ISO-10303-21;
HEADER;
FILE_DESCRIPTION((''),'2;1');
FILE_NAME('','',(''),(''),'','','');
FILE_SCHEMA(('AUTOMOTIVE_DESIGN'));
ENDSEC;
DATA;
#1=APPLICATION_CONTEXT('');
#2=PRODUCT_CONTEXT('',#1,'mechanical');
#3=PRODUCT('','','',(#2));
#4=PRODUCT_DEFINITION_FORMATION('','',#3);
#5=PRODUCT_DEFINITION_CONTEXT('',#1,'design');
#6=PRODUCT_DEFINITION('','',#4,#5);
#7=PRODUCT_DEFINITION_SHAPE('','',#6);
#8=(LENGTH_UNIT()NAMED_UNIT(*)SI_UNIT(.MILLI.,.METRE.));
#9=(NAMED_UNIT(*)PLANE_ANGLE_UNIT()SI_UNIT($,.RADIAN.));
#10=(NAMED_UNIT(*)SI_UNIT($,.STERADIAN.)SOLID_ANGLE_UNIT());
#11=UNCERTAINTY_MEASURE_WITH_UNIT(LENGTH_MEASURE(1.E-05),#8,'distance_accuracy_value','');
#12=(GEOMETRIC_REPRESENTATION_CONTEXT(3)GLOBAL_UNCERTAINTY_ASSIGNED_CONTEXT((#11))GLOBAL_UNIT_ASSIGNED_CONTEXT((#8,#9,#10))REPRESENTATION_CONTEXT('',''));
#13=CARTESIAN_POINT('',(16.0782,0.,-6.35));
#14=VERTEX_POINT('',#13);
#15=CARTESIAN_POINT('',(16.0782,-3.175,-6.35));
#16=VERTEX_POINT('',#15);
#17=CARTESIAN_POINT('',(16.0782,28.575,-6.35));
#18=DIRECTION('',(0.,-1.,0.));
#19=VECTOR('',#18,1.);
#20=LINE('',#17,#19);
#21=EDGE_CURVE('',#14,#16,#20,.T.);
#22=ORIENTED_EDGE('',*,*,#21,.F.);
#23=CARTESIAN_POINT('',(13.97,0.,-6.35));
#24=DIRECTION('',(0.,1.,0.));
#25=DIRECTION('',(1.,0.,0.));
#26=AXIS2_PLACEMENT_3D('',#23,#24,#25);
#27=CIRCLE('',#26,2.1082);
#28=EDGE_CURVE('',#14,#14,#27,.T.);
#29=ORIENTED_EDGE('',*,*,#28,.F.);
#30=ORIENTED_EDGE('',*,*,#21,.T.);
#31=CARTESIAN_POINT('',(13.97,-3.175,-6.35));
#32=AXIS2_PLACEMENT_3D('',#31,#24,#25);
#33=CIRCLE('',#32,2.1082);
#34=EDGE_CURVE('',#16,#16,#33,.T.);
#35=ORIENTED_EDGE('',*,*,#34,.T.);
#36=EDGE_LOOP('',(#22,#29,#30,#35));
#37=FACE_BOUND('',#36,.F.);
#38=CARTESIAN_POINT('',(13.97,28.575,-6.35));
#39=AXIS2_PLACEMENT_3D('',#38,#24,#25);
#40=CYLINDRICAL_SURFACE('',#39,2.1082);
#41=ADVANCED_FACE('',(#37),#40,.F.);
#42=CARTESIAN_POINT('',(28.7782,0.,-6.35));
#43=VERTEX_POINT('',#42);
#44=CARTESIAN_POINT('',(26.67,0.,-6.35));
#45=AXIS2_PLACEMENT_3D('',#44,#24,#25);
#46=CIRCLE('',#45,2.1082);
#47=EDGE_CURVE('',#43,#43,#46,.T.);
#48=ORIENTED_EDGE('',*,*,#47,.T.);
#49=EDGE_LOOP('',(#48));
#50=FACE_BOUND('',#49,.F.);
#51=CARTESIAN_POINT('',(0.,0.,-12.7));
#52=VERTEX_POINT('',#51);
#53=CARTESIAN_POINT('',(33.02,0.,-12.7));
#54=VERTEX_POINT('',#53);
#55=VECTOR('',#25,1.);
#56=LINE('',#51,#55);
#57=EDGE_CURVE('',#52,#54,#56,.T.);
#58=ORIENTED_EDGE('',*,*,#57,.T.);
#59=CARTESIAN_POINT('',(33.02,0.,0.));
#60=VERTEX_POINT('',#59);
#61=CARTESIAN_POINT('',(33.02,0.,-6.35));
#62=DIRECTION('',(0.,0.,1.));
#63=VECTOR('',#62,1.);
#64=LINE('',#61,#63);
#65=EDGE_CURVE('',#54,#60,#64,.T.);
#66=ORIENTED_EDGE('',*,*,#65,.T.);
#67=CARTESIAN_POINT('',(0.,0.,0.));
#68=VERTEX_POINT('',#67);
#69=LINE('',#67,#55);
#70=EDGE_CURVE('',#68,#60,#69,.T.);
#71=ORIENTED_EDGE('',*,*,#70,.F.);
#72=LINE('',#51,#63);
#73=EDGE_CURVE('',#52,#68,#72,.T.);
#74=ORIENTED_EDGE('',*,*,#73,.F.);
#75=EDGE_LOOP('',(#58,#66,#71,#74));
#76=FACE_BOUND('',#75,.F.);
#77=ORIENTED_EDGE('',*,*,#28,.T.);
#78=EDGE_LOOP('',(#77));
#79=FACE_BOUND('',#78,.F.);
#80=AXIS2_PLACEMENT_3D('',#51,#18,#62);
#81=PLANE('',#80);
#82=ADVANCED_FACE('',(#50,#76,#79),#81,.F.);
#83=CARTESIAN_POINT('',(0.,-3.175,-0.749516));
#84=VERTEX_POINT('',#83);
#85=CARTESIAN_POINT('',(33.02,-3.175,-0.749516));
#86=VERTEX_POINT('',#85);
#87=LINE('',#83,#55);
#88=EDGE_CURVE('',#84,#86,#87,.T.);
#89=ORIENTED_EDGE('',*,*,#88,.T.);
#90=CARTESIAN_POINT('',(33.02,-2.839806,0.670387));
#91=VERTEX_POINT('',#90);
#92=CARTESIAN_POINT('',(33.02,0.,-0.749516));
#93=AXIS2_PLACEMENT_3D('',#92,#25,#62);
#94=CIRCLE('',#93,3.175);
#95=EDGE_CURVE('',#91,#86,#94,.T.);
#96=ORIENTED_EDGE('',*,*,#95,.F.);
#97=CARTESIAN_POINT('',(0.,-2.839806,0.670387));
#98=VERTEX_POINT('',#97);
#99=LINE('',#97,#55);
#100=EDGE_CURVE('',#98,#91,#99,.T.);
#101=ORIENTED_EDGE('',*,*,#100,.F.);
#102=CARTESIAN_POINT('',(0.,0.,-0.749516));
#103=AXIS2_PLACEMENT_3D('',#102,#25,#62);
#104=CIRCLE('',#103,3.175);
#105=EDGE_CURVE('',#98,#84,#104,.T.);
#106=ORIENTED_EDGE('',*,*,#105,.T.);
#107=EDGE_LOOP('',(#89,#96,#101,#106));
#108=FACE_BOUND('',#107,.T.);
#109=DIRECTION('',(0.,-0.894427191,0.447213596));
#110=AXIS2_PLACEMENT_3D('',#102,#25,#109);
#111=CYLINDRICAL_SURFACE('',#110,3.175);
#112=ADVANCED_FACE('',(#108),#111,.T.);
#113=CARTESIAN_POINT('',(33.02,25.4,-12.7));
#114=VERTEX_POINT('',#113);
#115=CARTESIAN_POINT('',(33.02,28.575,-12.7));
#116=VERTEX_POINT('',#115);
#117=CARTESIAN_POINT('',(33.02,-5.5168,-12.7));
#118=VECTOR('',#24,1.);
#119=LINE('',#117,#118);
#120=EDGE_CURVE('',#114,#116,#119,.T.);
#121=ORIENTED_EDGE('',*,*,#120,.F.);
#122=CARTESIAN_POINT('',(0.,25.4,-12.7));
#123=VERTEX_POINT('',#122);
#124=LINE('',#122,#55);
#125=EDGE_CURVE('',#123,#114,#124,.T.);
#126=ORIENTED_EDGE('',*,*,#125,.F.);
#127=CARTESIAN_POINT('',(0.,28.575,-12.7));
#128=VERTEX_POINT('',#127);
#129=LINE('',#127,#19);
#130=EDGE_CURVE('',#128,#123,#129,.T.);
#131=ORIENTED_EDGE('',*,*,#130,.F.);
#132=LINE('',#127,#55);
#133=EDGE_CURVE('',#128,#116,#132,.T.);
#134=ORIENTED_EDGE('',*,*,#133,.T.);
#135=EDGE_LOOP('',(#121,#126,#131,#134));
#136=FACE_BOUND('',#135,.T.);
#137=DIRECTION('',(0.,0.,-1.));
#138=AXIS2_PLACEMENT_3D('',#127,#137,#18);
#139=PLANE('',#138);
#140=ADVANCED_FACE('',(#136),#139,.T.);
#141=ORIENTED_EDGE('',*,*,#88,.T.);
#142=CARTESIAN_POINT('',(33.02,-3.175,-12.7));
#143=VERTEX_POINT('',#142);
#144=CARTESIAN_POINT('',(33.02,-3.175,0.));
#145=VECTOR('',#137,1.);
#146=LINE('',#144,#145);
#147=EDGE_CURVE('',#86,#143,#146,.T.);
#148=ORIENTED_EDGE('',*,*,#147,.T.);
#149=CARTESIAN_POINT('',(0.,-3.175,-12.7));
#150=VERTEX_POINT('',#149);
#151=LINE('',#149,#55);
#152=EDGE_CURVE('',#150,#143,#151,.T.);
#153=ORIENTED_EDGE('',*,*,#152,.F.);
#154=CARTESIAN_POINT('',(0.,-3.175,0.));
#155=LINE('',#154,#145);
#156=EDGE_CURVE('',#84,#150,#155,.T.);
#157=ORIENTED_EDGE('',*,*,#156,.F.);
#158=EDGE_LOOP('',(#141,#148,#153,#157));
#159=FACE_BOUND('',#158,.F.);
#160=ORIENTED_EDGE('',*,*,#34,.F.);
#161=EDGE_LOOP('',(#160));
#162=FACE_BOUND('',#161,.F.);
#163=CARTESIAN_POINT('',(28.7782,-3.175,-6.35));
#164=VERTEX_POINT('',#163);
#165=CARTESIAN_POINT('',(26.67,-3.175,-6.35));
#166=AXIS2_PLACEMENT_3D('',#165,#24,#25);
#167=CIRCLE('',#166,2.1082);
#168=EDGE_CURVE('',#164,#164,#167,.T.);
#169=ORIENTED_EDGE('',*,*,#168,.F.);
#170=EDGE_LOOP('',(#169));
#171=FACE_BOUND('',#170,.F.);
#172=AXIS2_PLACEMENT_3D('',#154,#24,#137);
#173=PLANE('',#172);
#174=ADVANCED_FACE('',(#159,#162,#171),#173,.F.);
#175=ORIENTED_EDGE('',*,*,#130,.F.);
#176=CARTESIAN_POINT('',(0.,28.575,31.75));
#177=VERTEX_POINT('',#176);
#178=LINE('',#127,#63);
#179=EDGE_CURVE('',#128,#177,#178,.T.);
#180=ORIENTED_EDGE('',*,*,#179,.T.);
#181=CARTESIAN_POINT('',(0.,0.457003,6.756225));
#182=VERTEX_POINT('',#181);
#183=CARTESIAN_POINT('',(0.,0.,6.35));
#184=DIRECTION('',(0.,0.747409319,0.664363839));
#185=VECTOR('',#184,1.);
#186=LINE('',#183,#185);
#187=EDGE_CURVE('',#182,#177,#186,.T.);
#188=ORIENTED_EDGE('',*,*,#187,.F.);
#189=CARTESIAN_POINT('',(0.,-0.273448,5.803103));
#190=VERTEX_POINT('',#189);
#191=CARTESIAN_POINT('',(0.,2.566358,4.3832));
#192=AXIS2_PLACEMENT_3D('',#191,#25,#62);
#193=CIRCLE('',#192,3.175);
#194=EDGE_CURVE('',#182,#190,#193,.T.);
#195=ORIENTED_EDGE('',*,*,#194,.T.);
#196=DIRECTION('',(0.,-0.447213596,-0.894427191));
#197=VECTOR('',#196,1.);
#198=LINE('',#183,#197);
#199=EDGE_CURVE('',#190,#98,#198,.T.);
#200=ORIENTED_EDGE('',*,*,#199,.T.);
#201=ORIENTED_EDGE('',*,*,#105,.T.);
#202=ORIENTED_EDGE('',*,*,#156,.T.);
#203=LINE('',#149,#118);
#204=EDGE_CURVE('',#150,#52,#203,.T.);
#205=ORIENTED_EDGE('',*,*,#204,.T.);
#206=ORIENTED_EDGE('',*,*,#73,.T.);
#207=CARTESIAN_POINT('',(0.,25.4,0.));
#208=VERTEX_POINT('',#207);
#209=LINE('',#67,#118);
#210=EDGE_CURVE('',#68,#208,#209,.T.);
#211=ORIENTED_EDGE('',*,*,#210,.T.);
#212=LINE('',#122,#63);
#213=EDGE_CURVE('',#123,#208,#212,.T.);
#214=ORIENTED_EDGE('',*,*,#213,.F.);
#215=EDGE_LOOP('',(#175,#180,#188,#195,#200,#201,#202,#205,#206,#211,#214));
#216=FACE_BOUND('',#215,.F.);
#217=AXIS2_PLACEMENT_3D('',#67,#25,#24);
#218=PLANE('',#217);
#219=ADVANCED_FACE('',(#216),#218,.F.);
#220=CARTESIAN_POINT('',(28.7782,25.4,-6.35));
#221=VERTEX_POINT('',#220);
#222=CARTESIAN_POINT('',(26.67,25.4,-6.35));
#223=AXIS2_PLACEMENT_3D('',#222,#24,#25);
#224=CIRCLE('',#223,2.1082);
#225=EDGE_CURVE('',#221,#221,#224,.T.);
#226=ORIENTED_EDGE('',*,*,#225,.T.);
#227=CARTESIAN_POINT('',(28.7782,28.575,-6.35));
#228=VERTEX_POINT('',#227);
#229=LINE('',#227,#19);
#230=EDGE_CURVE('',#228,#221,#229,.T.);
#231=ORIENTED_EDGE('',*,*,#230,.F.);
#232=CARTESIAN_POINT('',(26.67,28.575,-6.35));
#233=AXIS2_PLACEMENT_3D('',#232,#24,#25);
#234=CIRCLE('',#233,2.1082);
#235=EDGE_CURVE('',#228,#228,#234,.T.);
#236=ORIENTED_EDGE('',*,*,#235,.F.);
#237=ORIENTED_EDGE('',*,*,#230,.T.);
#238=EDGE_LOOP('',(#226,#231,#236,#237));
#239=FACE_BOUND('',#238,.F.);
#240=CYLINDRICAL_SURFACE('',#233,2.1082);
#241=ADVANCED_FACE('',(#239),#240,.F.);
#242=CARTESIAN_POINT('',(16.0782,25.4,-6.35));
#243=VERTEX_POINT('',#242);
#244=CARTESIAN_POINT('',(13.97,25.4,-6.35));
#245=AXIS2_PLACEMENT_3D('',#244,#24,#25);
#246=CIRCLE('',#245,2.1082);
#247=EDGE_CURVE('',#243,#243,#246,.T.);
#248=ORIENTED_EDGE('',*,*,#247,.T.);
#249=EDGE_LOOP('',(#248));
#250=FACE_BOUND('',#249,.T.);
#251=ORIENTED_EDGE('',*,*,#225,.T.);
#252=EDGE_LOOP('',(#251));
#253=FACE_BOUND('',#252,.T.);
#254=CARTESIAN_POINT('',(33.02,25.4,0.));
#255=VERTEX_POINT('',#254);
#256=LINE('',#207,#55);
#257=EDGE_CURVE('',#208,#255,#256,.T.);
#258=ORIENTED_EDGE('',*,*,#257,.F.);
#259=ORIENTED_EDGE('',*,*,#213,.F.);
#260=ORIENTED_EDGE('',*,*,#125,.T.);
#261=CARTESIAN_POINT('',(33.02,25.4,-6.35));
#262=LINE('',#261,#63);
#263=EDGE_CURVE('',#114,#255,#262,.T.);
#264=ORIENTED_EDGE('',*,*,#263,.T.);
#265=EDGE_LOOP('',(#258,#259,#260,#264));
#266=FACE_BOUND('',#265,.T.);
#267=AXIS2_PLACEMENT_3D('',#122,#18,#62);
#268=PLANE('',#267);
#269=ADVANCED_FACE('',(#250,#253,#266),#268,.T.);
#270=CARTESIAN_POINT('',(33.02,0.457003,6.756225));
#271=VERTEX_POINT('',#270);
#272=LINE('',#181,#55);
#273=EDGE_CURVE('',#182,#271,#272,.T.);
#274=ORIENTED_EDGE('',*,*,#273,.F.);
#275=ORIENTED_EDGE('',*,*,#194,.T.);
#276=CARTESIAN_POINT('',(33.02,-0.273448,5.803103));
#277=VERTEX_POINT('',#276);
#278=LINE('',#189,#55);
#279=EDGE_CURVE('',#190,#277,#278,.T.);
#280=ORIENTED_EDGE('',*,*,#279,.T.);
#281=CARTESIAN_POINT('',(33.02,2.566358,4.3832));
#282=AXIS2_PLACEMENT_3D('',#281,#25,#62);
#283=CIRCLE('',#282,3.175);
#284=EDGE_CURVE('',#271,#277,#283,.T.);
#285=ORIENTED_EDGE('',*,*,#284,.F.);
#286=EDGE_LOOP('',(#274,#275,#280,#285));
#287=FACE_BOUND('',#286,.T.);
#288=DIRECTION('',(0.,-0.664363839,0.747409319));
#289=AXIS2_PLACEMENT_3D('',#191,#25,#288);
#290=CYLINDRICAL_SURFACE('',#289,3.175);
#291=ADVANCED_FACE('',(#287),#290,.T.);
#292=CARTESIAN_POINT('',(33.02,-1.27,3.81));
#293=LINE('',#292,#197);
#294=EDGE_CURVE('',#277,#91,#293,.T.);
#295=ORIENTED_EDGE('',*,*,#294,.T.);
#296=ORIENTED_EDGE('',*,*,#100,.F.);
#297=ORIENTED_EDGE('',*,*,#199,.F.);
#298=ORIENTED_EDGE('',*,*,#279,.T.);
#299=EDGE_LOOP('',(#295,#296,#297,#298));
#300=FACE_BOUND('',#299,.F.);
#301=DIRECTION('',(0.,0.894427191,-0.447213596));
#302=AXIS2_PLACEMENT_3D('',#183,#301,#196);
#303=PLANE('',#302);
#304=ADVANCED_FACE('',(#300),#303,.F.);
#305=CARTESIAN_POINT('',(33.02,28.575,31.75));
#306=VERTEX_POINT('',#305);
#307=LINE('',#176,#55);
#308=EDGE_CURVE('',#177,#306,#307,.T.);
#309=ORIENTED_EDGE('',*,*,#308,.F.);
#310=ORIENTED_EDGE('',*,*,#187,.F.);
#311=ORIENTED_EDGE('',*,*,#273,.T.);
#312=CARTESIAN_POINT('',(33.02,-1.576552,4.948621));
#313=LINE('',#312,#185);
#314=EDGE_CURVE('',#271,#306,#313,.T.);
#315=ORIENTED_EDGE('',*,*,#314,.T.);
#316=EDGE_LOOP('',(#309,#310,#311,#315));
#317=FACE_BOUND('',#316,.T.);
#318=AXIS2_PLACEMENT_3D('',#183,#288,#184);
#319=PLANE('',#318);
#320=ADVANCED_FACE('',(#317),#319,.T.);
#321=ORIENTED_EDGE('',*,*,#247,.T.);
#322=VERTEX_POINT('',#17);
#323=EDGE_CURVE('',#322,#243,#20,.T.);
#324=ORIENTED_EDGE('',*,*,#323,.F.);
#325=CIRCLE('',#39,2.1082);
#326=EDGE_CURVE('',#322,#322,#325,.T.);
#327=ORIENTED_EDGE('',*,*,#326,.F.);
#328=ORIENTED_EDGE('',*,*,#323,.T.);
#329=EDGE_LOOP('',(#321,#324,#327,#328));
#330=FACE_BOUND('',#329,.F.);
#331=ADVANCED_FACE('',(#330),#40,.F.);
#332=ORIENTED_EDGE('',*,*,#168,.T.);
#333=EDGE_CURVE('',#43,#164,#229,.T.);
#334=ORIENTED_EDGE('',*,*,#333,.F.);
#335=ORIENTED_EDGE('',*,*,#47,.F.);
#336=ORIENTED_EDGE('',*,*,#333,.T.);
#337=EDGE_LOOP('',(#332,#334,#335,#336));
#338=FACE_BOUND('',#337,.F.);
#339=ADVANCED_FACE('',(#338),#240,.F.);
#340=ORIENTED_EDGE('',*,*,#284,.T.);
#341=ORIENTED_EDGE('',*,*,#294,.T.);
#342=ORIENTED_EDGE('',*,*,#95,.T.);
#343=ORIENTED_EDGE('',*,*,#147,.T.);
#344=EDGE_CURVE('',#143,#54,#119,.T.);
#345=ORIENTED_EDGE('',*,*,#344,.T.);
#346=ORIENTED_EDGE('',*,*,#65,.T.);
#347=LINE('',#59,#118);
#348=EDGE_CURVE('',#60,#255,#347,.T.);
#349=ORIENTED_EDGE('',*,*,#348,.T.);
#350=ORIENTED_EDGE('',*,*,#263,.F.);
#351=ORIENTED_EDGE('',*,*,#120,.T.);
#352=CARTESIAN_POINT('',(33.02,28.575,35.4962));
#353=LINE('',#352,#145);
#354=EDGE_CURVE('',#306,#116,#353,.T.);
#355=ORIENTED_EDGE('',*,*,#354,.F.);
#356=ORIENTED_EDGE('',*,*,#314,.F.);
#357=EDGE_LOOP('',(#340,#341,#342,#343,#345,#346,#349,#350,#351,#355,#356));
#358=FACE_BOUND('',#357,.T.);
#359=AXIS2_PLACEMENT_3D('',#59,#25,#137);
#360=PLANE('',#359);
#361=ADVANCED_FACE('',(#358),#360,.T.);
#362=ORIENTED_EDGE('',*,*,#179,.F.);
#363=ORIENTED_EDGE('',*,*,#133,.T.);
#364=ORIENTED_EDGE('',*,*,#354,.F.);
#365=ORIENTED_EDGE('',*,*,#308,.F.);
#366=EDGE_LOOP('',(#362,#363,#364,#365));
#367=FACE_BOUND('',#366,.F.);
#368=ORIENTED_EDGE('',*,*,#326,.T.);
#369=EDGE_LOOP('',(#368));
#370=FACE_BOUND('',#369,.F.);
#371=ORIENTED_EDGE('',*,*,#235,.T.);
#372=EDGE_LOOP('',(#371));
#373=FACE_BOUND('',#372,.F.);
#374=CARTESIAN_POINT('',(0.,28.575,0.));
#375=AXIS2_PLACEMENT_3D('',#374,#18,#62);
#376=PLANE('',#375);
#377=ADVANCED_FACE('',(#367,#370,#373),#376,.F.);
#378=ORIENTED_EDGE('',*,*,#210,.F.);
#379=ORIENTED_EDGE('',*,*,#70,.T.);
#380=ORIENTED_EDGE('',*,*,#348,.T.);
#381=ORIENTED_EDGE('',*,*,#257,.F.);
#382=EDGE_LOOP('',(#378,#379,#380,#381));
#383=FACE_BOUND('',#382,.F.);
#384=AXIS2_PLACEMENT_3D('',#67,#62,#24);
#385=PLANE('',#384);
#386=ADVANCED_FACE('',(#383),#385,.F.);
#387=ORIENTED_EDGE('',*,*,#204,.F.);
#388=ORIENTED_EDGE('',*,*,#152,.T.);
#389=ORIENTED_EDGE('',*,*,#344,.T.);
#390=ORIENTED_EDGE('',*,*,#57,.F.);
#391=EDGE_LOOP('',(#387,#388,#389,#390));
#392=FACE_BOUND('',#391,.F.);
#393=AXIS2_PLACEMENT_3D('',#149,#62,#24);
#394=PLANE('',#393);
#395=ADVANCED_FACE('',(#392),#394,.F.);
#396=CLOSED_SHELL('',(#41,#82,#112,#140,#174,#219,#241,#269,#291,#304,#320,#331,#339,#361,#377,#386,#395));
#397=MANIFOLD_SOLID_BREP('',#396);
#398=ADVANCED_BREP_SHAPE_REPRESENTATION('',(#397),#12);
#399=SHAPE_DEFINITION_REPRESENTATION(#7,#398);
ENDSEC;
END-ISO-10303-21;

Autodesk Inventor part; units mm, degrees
ref_plane "YZ Plane" through (0, 0, 0) normal (1, 0, 0) x (0, 1, 0)
ref_plane "XZ Plane" through (0, 0, 0) normal (0, 1, 0) x (-1, 0, 0)
ref_plane "XY Plane" through (0, 0, 0) normal (0, 0, 1) x (1, 0, 0)
sketch "Sketch1" plane through (0, 0, 0) normal (1, 0, 0) x (0, 1, 0)
  line L0 (0, 0) -> (25.4, 0)
  line L1 (25.4, 0) -> (28.575, 0)
  line L2 (28.575, 0) -> (28.575, -12.7)
  line L3 (28.575, -12.7) -> (25.4, -12.7)
  line L4 (25.4, -12.7) -> (25.4, 0)
  line L5 (28.575, 0) -> (28.575, 31.75)
  line L6 (0, 0) -> (0, 6.35)
  line L7 (0, 6.35) -> (28.575, 31.75)
  line L8 (0, 0) -> (-3.175, 0)
  line L9 (-3.175, 0) -> (-3.175, -12.7)
  line L10 (-3.175, -12.7) -> (0, -12.7)
  line L11 (0, -12.7) -> (0, 0)
  line L12 (0, 6.35) -> (-3.175, 0)
  dimension "d0" = 25.4
  dimension "d1" = 3.175
  dimension "d2" = 12.7
  dimension "d3" = 31.75
  dimension "d16" = 6.35
  dimension "d17" = 3.175
extrude "Extrusion1" add sketch "Sketch1" along normal blind 53.34
sketch "Sketch2" plane through (0, 28.575, 31.75) normal (0, 1, 0) x (1, 0, 0)
  line L0 (53.34, 44.45) -> (53.34, 38.1)
  line L1 (53.34, 44.45) -> (53.34, 0) projected
  line L2 (53.34, 38.1) -> (26.67, 38.1)
  circle A0 centre (26.67, 38.1) radius 2.1082
  point P0 (0, 31.75)
  dimension "d6" = 6.35
  dimension "d7" = 26.67
  dimension "d8" = 4.2164
extrude "Extrusion2" cut sketch "Sketch2" against normal blind 43.815
sketch "Sketch3" plane through (53.34, 0, 0) normal (1, 0, 0) x (0, 0, -1)
  line L0 (12.7, 25.4) -> (12.7, 28.575) projected
  line L1 (12.7, 28.575) -> (-16.4619, 28.575)
  line L2 (-16.4619, 28.575) -> (-16.4619, 0)
  line L3 (-16.4619, 0) -> (12.7, 0)
  line L4 (12.7, 0) -> (12.7, 28.575)
  line L5 (-16.4619, 0) -> (-35.4962, 0)
  line L6 (-35.4962, 0) -> (-35.4962, 28.575)
  line L7 (-35.4962, 28.575) -> (-16.4619, 28.575)
  line L8 (-16.4619, 28.575) -> (-16.4619, 0)
  line L9 (12.7, -3.175) -> (12.7, 0) projected
  line L10 (12.7, 0) -> (-7.1998, 0)
  line L11 (-7.1998, 0) -> (-7.1998, -5.5168)
  line L12 (-7.1998, -5.5168) -> (12.7, -5.5168)
  line L13 (12.7, -5.5168) -> (12.7, 0)
  point P0 (0, 0)
  point P1 (12.7, 25.4)
extrude "Extrusion3" cut sketch "Sketch3" against normal blind 20.32
sketch "Sketch4" plane through (0, 28.575, 31.75) normal (0, 1, 0) x (1, 0, 0)
  circle A0 centre (26.67, 38.1) radius 2.1082 projected
  line L0 (26.67, 38.1) -> (13.97, 38.1)
  circle A1 centre (13.97, 38.1) radius 2.1082
  point P0 (0, 31.75)
  dimension "d13" = 12.7
extrude "Extrusion4" cut sketch "Sketch4" against normal blind 2514.6 contours A1
fillet "Fillet1" radius 3.175 2 edges at (16.51, 0, 6.35) (16.51, -3.175, 0)
properties part number "sleds v2 big"
